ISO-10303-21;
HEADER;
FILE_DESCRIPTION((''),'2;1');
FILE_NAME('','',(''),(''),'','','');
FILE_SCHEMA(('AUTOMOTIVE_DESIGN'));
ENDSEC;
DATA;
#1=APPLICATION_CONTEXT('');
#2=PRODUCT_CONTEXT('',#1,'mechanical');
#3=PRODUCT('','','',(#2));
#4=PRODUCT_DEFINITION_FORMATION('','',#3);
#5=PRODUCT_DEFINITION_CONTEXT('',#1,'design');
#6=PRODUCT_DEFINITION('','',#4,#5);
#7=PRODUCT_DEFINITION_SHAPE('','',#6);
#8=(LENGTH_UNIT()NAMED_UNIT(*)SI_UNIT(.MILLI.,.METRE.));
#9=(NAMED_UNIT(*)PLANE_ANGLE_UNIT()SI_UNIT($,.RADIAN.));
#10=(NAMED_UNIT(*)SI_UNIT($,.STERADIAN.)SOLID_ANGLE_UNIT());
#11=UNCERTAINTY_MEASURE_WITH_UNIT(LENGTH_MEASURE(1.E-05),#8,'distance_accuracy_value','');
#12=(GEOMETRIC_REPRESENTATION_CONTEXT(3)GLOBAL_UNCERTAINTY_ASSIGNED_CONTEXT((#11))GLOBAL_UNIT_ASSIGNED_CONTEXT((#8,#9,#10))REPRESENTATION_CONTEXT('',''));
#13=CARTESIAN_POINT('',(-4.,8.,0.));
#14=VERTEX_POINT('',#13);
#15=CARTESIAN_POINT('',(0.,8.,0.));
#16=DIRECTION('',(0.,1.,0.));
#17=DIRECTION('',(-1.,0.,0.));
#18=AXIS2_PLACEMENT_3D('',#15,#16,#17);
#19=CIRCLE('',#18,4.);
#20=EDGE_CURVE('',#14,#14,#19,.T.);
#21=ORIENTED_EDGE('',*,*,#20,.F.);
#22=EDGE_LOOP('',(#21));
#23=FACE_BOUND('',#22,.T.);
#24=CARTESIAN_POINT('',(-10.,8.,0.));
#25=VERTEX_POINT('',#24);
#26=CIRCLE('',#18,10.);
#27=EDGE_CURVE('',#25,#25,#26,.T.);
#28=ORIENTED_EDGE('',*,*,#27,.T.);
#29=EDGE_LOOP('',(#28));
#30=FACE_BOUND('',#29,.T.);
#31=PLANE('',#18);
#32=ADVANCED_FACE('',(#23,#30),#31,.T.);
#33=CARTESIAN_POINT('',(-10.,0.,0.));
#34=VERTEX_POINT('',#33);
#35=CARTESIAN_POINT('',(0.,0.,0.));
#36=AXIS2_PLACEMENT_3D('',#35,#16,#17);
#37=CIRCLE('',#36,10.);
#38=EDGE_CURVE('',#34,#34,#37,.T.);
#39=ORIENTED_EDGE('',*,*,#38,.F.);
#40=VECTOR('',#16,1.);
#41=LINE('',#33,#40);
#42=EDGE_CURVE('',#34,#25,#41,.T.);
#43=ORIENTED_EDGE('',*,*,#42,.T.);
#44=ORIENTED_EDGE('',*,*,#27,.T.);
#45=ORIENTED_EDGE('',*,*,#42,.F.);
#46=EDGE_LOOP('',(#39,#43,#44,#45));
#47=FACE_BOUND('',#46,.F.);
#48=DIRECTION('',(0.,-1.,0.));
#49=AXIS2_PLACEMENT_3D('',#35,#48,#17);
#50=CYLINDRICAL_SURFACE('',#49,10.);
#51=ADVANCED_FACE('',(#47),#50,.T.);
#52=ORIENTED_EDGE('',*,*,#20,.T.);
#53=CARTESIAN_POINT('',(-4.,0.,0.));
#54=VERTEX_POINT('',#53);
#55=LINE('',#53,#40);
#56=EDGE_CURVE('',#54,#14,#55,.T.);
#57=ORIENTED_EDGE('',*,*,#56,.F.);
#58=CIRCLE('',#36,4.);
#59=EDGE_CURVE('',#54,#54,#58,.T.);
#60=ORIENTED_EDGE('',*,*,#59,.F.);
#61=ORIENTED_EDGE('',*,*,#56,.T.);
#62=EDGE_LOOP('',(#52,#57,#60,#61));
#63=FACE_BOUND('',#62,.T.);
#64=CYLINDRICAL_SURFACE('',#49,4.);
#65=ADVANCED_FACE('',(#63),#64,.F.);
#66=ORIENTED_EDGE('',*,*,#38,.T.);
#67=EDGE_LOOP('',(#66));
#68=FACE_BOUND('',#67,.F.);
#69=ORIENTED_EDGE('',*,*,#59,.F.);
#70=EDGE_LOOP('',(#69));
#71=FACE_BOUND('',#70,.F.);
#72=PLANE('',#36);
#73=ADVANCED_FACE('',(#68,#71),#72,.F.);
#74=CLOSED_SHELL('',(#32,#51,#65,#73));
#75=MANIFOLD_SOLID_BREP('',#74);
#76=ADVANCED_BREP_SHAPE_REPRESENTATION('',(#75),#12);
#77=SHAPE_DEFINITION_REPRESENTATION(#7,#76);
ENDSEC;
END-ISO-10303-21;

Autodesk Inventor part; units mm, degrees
ref_plane "YZ Plane" through (0, 0, 0) normal (1, 0, 0) x (0, 1, 0)
ref_plane "XZ Plane" through (0, 0, 0) normal (0, 1, 0) x (-1, 0, 0)
ref_plane "XY Plane" through (0, 0, 0) normal (0, 0, 1) x (1, 0, 0)
sketch "Sketch1" plane through (0, 0, 0) normal (0, 1, 0) x (-1, 0, 0)
  circle A0 centre (0, 0) radius 4
  circle A1 centre (0, 0) radius 10
  dimension "d0" = 8
  dimension "d1" = 20
extrude "Extrusion1" add sketch "Sketch1" along normal blind 8
properties part number "Collar" material "Aluminum 6061"
